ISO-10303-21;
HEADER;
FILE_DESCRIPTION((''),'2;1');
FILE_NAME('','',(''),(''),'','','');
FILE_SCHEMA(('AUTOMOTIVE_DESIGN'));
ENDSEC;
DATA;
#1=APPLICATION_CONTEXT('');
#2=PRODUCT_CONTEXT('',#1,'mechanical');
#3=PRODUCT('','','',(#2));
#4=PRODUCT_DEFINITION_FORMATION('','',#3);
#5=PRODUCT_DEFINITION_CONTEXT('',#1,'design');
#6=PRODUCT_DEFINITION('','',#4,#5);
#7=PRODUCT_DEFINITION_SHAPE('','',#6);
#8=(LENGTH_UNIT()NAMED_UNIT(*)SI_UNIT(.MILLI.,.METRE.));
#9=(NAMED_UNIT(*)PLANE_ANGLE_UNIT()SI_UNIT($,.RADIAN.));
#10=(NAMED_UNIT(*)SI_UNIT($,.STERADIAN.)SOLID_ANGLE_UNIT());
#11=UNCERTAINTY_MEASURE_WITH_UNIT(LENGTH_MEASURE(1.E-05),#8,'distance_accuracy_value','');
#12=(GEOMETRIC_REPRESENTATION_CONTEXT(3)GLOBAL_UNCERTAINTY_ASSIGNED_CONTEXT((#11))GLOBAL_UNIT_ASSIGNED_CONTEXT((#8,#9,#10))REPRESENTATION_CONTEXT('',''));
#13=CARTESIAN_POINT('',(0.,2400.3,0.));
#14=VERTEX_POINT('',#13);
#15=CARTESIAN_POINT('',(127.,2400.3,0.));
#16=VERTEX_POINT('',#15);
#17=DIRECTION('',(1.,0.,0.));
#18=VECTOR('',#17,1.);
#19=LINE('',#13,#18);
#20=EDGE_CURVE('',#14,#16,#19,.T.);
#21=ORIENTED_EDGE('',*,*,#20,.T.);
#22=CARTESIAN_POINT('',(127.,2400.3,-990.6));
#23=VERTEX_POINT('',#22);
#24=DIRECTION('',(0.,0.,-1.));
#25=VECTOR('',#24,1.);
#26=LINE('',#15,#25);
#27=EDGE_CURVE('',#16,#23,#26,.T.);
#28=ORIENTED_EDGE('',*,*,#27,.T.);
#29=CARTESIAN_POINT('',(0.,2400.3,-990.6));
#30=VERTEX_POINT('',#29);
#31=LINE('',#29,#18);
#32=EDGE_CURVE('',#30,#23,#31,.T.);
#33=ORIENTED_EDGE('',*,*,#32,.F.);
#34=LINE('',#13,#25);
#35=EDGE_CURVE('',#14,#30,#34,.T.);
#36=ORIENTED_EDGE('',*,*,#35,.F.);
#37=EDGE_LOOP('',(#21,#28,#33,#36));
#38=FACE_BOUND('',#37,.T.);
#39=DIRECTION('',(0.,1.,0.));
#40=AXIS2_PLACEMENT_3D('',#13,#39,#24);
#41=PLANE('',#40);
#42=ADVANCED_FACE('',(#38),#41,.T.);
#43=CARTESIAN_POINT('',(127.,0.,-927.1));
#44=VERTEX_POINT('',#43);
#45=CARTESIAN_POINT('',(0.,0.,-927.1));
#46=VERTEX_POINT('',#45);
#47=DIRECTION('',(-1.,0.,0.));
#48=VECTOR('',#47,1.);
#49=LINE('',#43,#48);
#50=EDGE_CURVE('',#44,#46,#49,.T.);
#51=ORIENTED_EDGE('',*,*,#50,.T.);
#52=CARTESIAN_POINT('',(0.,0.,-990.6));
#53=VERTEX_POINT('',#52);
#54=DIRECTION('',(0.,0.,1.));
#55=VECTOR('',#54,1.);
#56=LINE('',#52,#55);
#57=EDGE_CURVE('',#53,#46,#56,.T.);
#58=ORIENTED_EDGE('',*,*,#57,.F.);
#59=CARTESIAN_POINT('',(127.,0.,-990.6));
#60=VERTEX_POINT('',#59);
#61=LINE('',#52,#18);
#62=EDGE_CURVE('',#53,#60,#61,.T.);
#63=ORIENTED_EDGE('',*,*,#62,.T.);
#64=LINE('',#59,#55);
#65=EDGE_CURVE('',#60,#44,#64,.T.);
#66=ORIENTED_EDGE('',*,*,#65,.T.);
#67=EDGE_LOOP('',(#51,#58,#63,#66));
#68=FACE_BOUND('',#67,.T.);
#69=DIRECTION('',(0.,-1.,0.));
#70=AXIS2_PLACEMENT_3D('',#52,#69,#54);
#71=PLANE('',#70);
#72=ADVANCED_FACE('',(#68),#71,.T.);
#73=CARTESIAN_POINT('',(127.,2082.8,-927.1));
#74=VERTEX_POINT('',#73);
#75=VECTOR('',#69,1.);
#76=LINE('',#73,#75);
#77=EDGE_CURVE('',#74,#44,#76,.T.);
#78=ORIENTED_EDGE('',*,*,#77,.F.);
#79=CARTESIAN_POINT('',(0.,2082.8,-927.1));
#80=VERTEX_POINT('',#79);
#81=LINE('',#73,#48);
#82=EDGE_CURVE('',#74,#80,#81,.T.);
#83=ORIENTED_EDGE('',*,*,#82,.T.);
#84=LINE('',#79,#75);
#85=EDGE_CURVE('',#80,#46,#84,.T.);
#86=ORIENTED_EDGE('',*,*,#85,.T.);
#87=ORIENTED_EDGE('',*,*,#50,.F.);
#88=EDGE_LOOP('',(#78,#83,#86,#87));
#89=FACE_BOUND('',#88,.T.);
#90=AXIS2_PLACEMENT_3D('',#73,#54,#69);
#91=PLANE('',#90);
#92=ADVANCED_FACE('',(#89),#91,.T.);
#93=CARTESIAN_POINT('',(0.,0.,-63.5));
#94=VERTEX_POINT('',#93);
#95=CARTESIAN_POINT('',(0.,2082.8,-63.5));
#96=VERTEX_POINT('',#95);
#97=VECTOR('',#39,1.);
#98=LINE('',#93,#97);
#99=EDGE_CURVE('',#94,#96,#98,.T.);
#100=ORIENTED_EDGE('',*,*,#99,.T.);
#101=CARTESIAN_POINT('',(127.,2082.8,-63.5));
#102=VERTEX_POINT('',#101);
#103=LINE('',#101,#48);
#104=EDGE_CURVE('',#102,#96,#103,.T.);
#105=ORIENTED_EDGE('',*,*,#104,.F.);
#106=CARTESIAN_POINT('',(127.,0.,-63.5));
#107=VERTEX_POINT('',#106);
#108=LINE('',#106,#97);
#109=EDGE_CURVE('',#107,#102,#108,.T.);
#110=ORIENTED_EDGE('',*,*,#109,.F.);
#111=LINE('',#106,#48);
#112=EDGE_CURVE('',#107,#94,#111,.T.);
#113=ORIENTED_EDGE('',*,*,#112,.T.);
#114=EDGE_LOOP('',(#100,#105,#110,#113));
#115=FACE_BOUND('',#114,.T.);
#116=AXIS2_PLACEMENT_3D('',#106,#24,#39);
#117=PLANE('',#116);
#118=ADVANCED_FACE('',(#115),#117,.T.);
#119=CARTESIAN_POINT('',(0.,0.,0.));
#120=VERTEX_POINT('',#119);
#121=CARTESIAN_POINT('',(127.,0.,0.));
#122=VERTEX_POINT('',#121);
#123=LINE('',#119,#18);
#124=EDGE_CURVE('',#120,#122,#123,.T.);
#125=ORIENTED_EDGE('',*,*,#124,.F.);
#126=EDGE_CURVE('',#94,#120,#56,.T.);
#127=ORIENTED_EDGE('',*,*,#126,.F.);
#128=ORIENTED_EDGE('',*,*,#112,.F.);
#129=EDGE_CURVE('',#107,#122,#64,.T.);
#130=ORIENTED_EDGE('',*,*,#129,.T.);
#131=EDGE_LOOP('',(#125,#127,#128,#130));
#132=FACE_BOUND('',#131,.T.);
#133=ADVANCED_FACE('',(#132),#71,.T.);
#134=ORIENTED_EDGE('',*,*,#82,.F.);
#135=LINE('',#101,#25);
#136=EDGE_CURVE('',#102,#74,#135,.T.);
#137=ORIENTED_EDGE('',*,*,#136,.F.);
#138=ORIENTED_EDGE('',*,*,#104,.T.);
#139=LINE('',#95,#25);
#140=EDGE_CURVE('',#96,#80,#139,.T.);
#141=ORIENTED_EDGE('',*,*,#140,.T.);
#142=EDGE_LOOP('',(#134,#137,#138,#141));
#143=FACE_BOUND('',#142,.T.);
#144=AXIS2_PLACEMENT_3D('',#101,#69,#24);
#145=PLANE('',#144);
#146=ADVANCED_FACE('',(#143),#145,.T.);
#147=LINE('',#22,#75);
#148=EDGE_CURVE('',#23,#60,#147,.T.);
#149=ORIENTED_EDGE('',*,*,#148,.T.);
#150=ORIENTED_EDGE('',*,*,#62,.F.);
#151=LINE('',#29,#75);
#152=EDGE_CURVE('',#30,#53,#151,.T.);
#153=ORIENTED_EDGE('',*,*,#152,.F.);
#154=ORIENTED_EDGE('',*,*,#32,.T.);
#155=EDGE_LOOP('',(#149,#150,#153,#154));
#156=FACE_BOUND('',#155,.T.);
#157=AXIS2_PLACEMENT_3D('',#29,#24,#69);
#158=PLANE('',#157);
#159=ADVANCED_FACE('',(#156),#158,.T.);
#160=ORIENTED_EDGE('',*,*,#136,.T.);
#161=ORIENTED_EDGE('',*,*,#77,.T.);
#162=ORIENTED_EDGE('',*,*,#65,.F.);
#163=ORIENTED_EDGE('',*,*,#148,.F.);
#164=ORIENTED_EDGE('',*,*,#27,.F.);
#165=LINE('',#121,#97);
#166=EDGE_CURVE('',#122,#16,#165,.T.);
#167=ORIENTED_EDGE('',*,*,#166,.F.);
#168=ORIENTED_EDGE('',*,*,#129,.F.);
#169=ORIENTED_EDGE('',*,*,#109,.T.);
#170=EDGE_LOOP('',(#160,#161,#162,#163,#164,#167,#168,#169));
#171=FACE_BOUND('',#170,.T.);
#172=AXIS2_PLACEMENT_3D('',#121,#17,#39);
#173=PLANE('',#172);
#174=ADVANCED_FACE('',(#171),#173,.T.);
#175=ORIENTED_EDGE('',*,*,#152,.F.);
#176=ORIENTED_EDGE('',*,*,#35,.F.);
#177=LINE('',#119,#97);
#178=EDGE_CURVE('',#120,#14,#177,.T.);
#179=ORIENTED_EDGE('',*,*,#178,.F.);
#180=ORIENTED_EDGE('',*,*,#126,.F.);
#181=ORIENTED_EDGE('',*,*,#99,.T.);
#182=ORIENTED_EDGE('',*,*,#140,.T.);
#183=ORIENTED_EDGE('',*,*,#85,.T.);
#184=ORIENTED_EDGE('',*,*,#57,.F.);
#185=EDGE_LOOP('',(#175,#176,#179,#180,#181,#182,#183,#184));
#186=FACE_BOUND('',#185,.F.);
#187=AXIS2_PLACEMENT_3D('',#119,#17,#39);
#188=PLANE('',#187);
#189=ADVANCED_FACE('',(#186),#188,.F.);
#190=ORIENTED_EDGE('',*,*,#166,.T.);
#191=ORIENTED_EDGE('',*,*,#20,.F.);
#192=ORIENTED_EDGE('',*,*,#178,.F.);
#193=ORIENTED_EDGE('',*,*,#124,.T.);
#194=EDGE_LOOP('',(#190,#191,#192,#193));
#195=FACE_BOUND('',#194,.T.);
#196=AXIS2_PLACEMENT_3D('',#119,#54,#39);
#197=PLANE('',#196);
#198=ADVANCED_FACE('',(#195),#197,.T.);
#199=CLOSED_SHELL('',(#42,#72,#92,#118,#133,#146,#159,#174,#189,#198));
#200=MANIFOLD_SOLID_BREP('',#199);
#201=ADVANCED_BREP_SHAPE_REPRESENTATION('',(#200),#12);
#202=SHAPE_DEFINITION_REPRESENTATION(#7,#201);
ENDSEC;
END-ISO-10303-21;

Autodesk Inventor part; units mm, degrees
ref_plane "YZ Plane" through (0, 0, 0) normal (1, 0, 0) x (0, 1, 0)
ref_plane "XZ Plane" through (0, 0, 0) normal (0, 1, 0) x (-1, 0, 0)
ref_plane "XY Plane" through (0, 0, 0) normal (0, 0, 1) x (1, 0, 0)
sketch "Sketch1" plane through (0, 0, 0) normal (1, 0, 0) x (0, 1, 0)
  line L0 (0, 0) -> (2400.3, 0)
  line L1 (2400.3, 0) -> (2400.3, -990.6)
  line L2 (2400.3, -990.6) -> (0, -990.6)
  line L3 (0, -990.6) -> (0, 0)
  dimension "d0" = 990.6
  dimension "d1" = 2400.3
extrude "Extrusion1" add sketch "Sketch1" along normal blind 127
sketch "Sketch2" plane through (127, 0, 0) normal (1, 0, 0) x (0, 0, -1)
  line L0 (0, 0) -> (990.6, 0) projected
  line L1 (927.1, 0) -> (63.5, 0)
  line L2 (63.5, 0) -> (63.5, 2082.8)
  line L3 (63.5, 2082.8) -> (927.1, 2082.8)
  line L4 (927.1, 2082.8) -> (927.1, 0)
  line L5 (990.6, 0) -> (990.6, 2400.3) projected
  point P0 (63.5, 0)
  point P1 (63.5, 0)
  dimension "d4" = 2082.8
  dimension "d6" = 63.5
  dimension "d7" = 863.6
extrude "Extrusion2" cut sketch "Sketch2" against normal up to surface (127 mm away)
properties part number "Wall_With_Door_For_Attic_Room" material "Wood (Southern Pine)"
